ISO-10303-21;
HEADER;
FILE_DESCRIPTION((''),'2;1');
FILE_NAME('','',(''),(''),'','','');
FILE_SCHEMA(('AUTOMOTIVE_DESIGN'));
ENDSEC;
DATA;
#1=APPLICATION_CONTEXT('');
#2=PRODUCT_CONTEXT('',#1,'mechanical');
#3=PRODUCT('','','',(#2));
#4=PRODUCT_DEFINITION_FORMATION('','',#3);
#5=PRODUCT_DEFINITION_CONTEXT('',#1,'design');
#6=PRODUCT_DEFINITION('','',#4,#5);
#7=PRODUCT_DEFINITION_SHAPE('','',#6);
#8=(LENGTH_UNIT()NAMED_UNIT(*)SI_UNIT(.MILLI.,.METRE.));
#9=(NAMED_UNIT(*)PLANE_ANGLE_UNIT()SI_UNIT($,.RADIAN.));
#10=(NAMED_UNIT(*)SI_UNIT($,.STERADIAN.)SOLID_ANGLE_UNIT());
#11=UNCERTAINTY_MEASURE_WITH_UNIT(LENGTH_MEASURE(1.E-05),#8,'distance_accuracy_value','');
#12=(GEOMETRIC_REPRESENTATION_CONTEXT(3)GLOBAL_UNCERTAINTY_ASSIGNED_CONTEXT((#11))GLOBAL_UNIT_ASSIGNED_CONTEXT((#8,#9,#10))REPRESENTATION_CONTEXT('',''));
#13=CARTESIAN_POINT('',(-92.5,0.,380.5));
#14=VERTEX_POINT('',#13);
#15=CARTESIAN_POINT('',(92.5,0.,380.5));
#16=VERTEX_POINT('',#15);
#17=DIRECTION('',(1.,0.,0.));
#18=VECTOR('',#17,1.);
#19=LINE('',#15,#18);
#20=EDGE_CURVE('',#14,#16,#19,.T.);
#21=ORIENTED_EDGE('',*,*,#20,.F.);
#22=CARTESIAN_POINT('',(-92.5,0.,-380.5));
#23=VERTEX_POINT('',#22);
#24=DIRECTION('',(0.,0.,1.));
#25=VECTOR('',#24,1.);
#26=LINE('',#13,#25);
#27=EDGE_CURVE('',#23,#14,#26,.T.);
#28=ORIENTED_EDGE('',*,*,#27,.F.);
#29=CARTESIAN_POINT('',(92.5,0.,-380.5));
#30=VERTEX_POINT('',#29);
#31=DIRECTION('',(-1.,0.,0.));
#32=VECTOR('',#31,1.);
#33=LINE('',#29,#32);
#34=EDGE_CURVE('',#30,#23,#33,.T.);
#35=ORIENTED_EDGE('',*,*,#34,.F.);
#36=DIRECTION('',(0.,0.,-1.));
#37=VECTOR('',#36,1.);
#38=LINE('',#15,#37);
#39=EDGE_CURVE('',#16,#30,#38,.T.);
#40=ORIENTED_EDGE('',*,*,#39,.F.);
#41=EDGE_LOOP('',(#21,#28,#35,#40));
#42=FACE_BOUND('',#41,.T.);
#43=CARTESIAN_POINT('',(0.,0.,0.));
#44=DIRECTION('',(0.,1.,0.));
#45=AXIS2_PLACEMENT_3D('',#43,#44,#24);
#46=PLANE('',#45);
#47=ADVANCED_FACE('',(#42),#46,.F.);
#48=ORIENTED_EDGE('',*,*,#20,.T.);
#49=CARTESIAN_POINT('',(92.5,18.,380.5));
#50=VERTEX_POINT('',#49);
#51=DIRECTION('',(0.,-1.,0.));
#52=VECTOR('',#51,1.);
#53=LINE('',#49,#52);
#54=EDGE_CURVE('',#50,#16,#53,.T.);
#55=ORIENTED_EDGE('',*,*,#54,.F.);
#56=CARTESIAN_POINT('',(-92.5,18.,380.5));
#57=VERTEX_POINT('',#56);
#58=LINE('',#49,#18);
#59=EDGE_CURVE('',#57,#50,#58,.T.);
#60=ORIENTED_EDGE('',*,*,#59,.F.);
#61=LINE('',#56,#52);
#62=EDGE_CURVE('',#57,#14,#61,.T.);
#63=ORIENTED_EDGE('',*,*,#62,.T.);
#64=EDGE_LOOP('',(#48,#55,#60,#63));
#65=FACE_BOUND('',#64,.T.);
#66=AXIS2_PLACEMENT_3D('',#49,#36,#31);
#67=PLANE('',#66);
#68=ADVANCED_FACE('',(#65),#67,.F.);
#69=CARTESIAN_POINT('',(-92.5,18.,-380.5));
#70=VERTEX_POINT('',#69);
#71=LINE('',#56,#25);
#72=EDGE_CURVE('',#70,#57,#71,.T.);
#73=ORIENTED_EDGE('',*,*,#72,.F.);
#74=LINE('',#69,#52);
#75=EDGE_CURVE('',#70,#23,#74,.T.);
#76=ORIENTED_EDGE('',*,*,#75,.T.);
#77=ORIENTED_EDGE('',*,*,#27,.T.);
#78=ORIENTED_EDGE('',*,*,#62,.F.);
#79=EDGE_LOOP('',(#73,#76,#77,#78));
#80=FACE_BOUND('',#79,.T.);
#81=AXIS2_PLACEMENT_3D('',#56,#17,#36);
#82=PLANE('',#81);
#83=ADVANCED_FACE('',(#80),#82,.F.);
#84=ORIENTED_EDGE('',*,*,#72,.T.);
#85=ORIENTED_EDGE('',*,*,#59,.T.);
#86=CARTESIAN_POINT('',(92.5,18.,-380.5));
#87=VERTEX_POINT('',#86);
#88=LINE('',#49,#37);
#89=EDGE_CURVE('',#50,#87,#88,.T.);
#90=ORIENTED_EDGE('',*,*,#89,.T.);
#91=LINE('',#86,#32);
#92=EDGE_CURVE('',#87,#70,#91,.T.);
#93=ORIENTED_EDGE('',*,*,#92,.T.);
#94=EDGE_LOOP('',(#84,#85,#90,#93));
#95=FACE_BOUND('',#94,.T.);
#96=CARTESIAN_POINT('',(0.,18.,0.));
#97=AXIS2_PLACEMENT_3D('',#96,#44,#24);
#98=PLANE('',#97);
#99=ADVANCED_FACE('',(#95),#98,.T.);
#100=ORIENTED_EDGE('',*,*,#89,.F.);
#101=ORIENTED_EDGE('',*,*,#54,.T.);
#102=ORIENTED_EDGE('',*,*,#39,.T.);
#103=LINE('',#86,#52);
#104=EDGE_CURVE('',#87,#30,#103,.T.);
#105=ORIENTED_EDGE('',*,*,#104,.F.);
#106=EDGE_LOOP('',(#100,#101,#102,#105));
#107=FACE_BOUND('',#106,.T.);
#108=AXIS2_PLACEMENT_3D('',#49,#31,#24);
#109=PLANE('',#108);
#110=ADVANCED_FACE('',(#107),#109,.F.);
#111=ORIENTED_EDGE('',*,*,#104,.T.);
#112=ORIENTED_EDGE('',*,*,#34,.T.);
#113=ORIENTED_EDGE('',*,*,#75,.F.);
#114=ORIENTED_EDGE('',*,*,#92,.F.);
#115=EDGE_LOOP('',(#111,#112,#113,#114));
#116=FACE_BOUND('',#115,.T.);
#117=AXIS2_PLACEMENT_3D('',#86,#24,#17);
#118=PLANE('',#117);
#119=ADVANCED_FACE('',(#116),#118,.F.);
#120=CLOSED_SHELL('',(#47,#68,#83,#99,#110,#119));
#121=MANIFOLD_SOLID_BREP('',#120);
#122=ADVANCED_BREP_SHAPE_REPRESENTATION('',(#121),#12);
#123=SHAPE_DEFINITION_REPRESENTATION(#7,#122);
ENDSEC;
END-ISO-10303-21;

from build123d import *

# Parameters (mm, degrees)
SKETCH_1_W      = 185
SKETCH_1_H      = 761
EXTRUDE_1_DEPTH = 18


with BuildPart() as part:
    # Эскиз1 → Бобышка-Вытянуть1 (new body)
    with BuildSketch(Plane(origin=(0, 0, 0), x_dir=(1, 0, 0), z_dir=(0, 1, 0))):
        Rectangle(SKETCH_1_W, SKETCH_1_H)
    extrude(amount=EXTRUDE_1_DEPTH)


solid = part.part
